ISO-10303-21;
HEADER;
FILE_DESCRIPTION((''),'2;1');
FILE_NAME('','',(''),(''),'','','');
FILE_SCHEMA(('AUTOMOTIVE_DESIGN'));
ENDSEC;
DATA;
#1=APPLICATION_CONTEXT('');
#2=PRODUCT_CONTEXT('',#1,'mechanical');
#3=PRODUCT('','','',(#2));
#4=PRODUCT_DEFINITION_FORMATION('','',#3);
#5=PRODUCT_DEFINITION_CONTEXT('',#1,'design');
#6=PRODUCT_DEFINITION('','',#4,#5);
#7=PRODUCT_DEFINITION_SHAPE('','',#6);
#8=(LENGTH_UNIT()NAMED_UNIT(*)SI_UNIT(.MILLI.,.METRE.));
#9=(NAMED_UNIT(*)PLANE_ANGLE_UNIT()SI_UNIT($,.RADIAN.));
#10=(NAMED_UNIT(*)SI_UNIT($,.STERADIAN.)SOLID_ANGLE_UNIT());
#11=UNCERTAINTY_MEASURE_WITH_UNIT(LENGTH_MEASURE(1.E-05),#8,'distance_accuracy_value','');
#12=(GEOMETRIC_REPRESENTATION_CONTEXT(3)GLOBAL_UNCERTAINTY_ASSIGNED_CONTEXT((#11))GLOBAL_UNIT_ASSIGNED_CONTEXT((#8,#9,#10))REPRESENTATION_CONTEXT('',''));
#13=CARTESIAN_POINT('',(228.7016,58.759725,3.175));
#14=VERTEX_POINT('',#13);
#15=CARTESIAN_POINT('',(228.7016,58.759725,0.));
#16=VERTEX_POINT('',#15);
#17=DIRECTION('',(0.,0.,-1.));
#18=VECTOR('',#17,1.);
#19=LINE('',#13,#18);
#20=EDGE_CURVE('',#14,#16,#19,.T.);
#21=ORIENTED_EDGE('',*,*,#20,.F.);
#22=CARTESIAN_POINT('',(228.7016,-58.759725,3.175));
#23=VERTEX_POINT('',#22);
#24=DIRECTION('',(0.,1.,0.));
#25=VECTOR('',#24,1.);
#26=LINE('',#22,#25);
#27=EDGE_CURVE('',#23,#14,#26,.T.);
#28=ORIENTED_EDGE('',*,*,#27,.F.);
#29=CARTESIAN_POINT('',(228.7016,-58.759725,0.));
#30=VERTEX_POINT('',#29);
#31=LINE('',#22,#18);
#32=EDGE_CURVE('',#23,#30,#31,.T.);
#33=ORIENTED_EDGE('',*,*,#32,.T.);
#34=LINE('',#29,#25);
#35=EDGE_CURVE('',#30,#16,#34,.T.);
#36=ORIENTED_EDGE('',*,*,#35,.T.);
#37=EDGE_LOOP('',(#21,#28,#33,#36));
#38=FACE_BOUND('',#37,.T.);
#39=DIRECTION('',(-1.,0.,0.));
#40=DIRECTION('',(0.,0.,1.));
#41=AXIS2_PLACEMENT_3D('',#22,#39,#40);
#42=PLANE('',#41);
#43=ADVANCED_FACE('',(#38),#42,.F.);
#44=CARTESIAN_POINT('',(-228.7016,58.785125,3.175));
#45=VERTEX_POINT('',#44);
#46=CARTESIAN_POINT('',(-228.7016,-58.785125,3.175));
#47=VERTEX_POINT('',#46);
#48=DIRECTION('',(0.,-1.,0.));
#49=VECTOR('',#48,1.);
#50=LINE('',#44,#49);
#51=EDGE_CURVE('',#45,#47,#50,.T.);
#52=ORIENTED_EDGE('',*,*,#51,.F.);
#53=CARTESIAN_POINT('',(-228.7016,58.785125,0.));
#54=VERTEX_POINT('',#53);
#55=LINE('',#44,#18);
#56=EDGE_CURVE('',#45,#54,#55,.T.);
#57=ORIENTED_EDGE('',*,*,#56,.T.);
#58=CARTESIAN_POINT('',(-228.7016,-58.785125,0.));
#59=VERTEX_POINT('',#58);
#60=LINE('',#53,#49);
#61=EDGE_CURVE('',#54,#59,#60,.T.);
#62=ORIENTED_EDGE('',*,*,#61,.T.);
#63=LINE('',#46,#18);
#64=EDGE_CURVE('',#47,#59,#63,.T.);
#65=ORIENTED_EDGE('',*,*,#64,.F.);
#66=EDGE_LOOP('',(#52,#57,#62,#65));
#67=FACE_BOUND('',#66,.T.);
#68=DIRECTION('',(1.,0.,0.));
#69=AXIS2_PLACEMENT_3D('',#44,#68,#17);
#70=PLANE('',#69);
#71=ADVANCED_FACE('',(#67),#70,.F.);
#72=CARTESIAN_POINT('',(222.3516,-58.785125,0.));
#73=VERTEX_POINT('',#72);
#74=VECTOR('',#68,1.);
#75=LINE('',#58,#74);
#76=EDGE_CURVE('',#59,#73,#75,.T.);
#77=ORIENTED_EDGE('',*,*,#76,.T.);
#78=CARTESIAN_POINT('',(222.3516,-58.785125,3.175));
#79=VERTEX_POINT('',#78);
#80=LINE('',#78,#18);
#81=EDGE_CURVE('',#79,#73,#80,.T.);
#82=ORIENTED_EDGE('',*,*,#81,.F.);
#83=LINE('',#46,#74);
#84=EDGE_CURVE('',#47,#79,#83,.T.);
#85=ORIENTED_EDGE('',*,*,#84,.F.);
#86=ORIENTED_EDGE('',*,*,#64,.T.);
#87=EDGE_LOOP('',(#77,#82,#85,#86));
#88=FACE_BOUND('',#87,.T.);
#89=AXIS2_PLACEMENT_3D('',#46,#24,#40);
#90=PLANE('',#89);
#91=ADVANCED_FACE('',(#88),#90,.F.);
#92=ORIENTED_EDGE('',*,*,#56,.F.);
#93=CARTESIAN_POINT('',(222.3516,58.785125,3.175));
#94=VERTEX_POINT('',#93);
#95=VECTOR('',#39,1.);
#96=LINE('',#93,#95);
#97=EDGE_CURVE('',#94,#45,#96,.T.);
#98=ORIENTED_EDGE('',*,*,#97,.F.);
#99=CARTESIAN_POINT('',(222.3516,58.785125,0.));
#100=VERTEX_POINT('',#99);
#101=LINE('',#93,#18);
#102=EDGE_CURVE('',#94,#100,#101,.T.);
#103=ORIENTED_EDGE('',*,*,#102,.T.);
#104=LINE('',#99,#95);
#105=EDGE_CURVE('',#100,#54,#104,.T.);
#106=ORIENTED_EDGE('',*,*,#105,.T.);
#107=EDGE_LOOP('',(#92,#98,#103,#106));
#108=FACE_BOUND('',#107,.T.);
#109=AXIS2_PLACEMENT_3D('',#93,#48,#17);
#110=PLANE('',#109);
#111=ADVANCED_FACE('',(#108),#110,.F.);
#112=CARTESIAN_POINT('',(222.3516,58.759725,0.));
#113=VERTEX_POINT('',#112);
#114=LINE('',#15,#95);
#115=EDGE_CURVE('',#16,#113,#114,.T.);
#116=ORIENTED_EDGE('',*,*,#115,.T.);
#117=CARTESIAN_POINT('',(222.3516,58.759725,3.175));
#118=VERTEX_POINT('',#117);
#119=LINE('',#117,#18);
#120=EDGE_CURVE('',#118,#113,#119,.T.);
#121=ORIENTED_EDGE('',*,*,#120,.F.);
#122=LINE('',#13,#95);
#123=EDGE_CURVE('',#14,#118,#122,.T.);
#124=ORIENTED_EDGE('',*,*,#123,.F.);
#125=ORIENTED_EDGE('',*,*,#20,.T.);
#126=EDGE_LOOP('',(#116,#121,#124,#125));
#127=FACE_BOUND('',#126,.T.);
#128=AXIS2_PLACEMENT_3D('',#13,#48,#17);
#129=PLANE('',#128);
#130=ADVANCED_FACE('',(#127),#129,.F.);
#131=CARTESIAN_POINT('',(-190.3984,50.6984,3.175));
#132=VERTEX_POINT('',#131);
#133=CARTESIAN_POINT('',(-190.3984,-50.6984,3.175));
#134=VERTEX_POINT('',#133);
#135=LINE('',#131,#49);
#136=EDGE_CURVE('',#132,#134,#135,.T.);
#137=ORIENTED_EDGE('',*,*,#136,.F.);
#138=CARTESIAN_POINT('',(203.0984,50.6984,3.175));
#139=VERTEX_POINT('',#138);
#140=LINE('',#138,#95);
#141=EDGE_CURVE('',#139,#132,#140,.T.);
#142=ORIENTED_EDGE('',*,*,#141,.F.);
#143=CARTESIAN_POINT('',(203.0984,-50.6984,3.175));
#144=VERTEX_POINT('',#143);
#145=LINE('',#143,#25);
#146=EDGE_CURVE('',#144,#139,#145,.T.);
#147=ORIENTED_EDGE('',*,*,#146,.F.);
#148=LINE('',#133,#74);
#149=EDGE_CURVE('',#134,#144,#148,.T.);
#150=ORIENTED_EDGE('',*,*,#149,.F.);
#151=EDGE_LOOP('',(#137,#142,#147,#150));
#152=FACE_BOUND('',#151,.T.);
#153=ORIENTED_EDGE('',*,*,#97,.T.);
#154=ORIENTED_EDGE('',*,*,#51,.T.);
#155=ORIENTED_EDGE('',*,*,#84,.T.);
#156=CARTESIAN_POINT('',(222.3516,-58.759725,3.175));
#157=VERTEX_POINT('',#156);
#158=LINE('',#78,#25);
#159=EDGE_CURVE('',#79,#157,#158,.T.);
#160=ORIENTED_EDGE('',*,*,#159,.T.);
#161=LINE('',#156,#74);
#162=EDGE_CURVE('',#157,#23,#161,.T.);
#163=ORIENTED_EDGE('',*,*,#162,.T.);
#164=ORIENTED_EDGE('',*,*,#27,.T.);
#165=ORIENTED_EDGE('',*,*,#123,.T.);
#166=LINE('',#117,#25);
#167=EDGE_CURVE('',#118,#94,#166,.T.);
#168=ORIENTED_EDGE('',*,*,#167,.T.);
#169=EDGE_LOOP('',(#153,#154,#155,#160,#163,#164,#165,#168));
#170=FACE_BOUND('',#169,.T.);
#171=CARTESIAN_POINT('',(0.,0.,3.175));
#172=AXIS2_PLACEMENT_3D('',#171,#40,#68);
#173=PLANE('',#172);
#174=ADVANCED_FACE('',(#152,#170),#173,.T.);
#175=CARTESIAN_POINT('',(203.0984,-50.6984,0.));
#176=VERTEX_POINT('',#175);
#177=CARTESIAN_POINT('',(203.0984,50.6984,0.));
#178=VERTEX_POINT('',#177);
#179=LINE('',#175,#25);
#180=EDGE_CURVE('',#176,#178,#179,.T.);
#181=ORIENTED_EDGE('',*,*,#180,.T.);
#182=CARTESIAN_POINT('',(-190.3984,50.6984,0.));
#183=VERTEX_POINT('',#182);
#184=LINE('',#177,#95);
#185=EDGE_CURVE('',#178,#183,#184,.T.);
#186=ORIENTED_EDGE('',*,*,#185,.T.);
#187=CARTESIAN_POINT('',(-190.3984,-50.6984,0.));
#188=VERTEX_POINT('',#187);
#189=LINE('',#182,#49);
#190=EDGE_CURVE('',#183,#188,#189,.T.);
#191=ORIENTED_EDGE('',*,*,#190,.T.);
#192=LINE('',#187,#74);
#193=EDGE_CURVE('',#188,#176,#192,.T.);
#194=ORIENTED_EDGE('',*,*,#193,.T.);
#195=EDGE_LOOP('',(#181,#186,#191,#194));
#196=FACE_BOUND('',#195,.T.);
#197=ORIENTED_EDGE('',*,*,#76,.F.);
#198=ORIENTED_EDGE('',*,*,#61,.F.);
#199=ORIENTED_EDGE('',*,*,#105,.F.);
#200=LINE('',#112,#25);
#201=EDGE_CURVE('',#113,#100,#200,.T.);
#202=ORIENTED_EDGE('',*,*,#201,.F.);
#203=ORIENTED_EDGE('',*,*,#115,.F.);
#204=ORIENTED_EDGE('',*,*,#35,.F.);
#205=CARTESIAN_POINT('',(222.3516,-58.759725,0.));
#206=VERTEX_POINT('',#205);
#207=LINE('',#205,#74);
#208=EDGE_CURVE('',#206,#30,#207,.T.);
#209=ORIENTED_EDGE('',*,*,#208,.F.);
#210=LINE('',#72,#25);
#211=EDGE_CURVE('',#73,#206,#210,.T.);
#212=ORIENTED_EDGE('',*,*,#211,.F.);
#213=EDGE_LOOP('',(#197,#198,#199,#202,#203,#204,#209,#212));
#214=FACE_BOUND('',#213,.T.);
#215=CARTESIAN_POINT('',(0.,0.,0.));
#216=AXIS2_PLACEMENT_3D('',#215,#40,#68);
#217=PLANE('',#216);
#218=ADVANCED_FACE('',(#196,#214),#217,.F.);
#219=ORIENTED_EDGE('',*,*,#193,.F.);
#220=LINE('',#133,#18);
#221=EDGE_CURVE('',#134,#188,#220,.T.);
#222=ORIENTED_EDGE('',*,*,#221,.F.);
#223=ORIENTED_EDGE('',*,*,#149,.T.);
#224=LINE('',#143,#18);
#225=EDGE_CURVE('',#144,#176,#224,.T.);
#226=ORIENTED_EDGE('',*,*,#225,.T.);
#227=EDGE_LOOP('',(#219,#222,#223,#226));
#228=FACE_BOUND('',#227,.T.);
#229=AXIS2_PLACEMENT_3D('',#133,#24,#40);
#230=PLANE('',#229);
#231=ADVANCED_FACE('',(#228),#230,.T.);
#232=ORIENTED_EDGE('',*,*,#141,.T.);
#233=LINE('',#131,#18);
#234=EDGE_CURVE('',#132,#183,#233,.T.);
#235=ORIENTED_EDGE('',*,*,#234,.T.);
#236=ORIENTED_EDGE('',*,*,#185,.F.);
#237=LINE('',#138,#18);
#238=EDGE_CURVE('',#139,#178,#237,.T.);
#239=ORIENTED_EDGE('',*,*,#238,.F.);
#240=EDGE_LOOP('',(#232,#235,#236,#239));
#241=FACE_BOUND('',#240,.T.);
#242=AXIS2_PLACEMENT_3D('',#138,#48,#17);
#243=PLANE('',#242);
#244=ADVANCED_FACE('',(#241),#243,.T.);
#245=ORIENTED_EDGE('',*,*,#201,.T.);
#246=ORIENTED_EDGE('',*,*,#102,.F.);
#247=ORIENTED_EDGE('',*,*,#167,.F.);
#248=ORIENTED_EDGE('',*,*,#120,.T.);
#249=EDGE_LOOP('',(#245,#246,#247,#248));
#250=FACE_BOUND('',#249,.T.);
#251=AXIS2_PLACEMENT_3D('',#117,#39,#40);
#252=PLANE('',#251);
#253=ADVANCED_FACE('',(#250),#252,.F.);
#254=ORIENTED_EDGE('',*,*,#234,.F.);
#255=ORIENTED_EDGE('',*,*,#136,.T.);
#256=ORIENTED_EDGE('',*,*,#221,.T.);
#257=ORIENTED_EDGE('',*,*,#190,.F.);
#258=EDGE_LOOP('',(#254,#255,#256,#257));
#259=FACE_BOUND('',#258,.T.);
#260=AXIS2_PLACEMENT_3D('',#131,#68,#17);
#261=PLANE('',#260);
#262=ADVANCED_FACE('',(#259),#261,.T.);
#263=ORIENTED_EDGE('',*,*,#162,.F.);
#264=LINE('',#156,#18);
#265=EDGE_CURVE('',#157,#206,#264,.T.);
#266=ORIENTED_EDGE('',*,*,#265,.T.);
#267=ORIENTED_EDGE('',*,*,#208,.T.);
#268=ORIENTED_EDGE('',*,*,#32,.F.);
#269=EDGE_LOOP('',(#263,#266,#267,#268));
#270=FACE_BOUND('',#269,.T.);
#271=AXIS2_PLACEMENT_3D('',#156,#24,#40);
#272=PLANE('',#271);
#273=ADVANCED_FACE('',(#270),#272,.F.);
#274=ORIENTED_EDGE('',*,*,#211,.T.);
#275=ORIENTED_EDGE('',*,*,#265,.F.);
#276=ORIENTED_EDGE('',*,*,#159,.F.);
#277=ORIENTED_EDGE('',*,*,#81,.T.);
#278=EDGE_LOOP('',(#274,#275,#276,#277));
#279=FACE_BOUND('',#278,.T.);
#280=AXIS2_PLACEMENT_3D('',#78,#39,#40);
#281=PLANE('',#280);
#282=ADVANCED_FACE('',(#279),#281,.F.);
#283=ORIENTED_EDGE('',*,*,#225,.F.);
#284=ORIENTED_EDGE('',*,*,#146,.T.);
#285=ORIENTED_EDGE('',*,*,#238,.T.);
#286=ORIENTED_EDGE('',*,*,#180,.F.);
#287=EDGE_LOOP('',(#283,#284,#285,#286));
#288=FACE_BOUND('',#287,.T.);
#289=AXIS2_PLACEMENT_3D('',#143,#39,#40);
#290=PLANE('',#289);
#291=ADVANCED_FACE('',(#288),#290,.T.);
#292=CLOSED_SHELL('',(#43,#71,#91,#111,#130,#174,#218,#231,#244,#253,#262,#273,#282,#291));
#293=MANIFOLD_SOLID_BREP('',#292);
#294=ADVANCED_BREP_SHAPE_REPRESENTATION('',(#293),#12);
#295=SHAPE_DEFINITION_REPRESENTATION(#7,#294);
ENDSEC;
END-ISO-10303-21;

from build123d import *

# Parameters (mm, degrees)
SKETCH1_W           = 393.4968
SKETCH1_H           = 101.3968
BOSS_EXTRUDE1_DEPTH = 3.175


with BuildPart() as part:
    # Sketch1 → Boss-Extrude1 (new body)
    with BuildSketch(Plane.XY):
        Polygon((222.3516, 58.785125), (-228.7016, 58.785125), (-228.7016, -58.785125), (222.3516, -58.785125), (222.3516, -58.759725), (228.7016, -58.759725), (228.7016, 58.759725), (222.3516, 58.759725), align=None)
        with Locations((6.35, 0)):
            Rectangle(SKETCH1_W, SKETCH1_H, mode=Mode.SUBTRACT)
    extrude(amount=BOSS_EXTRUDE1_DEPTH)


solid = part.part
